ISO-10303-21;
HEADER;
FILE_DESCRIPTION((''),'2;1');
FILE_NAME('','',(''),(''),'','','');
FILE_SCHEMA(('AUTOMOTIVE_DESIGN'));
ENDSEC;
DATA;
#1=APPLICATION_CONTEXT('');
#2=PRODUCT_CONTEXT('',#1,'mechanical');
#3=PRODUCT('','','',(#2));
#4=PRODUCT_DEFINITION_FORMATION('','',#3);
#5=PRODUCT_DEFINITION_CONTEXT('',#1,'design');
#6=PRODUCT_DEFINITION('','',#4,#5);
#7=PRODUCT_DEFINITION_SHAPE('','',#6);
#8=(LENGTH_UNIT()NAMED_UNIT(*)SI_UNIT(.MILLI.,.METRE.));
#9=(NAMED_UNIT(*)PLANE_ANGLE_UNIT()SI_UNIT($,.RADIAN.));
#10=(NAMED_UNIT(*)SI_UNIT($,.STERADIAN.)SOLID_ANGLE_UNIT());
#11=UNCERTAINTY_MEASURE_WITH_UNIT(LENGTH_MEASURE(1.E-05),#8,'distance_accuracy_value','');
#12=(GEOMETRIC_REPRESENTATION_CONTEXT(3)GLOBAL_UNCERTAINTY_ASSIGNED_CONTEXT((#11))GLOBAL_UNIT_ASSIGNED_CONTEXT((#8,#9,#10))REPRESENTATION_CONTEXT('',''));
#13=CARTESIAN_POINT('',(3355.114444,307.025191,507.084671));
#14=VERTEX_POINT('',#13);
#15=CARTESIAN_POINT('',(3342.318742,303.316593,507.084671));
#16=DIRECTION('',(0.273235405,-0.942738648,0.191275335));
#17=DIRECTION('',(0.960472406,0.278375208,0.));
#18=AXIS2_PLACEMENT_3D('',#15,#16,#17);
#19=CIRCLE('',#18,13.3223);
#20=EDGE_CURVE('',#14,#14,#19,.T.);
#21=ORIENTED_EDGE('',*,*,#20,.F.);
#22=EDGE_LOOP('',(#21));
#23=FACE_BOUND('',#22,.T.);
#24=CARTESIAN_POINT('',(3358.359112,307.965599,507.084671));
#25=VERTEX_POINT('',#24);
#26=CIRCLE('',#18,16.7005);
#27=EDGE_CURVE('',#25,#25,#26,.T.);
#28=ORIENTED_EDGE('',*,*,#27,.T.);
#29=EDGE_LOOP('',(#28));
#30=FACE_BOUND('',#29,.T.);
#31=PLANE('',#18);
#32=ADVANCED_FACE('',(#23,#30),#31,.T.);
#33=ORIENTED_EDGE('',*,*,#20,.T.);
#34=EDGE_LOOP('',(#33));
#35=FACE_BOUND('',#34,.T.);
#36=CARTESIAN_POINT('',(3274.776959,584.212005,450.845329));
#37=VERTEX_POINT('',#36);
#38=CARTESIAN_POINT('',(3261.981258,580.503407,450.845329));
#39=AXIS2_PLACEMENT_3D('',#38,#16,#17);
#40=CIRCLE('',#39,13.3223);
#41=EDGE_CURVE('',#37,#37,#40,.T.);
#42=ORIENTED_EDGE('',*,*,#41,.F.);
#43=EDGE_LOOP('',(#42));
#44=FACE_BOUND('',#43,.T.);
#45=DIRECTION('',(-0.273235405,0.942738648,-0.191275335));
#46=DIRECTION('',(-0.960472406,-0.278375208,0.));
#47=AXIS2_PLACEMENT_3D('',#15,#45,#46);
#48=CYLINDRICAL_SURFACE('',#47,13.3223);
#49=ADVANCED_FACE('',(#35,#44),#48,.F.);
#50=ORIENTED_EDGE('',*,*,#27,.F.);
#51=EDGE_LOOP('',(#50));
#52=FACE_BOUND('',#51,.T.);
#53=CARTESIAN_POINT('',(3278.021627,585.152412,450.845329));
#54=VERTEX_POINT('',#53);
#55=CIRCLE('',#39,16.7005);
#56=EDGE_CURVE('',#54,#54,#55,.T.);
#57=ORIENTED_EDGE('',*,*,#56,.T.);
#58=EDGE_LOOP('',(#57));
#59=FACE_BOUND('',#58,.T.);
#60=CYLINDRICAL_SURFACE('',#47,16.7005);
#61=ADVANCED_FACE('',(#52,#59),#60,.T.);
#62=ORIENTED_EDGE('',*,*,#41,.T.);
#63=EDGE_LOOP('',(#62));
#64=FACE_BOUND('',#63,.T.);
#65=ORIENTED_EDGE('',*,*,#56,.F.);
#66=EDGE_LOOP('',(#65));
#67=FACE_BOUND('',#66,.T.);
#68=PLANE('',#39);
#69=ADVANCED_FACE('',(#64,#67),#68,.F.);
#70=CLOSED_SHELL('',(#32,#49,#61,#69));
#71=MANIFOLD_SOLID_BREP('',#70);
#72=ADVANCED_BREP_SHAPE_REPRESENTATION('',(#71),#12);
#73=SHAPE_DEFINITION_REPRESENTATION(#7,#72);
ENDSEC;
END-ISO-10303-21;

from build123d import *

# Parameters (mm, degrees)
SKETCH1_R               = 16.7005
SKETCH1_R_2             = 13.3223
PIPE_1_0_SCH_40_1_DEPTH = 294.022965518


with BuildPart() as part:
    # Sketch1 → Pipe 1.0 SCH 40(1) (new body)
    with BuildSketch(Plane(origin=(3261.981257901, 580.503406559, 450.845329314), x_dir=(0.9373296965246388, 0.21623009322286818, -0.27323540546177083), z_dir=(0.27323540546177083, -0.9427386484256428, 0.1912753354897966))):
        Circle(SKETCH1_R)
        Circle(SKETCH1_R_2, mode=Mode.SUBTRACT)
    extrude(amount=PIPE_1_0_SCH_40_1_DEPTH)


solid = part.part
